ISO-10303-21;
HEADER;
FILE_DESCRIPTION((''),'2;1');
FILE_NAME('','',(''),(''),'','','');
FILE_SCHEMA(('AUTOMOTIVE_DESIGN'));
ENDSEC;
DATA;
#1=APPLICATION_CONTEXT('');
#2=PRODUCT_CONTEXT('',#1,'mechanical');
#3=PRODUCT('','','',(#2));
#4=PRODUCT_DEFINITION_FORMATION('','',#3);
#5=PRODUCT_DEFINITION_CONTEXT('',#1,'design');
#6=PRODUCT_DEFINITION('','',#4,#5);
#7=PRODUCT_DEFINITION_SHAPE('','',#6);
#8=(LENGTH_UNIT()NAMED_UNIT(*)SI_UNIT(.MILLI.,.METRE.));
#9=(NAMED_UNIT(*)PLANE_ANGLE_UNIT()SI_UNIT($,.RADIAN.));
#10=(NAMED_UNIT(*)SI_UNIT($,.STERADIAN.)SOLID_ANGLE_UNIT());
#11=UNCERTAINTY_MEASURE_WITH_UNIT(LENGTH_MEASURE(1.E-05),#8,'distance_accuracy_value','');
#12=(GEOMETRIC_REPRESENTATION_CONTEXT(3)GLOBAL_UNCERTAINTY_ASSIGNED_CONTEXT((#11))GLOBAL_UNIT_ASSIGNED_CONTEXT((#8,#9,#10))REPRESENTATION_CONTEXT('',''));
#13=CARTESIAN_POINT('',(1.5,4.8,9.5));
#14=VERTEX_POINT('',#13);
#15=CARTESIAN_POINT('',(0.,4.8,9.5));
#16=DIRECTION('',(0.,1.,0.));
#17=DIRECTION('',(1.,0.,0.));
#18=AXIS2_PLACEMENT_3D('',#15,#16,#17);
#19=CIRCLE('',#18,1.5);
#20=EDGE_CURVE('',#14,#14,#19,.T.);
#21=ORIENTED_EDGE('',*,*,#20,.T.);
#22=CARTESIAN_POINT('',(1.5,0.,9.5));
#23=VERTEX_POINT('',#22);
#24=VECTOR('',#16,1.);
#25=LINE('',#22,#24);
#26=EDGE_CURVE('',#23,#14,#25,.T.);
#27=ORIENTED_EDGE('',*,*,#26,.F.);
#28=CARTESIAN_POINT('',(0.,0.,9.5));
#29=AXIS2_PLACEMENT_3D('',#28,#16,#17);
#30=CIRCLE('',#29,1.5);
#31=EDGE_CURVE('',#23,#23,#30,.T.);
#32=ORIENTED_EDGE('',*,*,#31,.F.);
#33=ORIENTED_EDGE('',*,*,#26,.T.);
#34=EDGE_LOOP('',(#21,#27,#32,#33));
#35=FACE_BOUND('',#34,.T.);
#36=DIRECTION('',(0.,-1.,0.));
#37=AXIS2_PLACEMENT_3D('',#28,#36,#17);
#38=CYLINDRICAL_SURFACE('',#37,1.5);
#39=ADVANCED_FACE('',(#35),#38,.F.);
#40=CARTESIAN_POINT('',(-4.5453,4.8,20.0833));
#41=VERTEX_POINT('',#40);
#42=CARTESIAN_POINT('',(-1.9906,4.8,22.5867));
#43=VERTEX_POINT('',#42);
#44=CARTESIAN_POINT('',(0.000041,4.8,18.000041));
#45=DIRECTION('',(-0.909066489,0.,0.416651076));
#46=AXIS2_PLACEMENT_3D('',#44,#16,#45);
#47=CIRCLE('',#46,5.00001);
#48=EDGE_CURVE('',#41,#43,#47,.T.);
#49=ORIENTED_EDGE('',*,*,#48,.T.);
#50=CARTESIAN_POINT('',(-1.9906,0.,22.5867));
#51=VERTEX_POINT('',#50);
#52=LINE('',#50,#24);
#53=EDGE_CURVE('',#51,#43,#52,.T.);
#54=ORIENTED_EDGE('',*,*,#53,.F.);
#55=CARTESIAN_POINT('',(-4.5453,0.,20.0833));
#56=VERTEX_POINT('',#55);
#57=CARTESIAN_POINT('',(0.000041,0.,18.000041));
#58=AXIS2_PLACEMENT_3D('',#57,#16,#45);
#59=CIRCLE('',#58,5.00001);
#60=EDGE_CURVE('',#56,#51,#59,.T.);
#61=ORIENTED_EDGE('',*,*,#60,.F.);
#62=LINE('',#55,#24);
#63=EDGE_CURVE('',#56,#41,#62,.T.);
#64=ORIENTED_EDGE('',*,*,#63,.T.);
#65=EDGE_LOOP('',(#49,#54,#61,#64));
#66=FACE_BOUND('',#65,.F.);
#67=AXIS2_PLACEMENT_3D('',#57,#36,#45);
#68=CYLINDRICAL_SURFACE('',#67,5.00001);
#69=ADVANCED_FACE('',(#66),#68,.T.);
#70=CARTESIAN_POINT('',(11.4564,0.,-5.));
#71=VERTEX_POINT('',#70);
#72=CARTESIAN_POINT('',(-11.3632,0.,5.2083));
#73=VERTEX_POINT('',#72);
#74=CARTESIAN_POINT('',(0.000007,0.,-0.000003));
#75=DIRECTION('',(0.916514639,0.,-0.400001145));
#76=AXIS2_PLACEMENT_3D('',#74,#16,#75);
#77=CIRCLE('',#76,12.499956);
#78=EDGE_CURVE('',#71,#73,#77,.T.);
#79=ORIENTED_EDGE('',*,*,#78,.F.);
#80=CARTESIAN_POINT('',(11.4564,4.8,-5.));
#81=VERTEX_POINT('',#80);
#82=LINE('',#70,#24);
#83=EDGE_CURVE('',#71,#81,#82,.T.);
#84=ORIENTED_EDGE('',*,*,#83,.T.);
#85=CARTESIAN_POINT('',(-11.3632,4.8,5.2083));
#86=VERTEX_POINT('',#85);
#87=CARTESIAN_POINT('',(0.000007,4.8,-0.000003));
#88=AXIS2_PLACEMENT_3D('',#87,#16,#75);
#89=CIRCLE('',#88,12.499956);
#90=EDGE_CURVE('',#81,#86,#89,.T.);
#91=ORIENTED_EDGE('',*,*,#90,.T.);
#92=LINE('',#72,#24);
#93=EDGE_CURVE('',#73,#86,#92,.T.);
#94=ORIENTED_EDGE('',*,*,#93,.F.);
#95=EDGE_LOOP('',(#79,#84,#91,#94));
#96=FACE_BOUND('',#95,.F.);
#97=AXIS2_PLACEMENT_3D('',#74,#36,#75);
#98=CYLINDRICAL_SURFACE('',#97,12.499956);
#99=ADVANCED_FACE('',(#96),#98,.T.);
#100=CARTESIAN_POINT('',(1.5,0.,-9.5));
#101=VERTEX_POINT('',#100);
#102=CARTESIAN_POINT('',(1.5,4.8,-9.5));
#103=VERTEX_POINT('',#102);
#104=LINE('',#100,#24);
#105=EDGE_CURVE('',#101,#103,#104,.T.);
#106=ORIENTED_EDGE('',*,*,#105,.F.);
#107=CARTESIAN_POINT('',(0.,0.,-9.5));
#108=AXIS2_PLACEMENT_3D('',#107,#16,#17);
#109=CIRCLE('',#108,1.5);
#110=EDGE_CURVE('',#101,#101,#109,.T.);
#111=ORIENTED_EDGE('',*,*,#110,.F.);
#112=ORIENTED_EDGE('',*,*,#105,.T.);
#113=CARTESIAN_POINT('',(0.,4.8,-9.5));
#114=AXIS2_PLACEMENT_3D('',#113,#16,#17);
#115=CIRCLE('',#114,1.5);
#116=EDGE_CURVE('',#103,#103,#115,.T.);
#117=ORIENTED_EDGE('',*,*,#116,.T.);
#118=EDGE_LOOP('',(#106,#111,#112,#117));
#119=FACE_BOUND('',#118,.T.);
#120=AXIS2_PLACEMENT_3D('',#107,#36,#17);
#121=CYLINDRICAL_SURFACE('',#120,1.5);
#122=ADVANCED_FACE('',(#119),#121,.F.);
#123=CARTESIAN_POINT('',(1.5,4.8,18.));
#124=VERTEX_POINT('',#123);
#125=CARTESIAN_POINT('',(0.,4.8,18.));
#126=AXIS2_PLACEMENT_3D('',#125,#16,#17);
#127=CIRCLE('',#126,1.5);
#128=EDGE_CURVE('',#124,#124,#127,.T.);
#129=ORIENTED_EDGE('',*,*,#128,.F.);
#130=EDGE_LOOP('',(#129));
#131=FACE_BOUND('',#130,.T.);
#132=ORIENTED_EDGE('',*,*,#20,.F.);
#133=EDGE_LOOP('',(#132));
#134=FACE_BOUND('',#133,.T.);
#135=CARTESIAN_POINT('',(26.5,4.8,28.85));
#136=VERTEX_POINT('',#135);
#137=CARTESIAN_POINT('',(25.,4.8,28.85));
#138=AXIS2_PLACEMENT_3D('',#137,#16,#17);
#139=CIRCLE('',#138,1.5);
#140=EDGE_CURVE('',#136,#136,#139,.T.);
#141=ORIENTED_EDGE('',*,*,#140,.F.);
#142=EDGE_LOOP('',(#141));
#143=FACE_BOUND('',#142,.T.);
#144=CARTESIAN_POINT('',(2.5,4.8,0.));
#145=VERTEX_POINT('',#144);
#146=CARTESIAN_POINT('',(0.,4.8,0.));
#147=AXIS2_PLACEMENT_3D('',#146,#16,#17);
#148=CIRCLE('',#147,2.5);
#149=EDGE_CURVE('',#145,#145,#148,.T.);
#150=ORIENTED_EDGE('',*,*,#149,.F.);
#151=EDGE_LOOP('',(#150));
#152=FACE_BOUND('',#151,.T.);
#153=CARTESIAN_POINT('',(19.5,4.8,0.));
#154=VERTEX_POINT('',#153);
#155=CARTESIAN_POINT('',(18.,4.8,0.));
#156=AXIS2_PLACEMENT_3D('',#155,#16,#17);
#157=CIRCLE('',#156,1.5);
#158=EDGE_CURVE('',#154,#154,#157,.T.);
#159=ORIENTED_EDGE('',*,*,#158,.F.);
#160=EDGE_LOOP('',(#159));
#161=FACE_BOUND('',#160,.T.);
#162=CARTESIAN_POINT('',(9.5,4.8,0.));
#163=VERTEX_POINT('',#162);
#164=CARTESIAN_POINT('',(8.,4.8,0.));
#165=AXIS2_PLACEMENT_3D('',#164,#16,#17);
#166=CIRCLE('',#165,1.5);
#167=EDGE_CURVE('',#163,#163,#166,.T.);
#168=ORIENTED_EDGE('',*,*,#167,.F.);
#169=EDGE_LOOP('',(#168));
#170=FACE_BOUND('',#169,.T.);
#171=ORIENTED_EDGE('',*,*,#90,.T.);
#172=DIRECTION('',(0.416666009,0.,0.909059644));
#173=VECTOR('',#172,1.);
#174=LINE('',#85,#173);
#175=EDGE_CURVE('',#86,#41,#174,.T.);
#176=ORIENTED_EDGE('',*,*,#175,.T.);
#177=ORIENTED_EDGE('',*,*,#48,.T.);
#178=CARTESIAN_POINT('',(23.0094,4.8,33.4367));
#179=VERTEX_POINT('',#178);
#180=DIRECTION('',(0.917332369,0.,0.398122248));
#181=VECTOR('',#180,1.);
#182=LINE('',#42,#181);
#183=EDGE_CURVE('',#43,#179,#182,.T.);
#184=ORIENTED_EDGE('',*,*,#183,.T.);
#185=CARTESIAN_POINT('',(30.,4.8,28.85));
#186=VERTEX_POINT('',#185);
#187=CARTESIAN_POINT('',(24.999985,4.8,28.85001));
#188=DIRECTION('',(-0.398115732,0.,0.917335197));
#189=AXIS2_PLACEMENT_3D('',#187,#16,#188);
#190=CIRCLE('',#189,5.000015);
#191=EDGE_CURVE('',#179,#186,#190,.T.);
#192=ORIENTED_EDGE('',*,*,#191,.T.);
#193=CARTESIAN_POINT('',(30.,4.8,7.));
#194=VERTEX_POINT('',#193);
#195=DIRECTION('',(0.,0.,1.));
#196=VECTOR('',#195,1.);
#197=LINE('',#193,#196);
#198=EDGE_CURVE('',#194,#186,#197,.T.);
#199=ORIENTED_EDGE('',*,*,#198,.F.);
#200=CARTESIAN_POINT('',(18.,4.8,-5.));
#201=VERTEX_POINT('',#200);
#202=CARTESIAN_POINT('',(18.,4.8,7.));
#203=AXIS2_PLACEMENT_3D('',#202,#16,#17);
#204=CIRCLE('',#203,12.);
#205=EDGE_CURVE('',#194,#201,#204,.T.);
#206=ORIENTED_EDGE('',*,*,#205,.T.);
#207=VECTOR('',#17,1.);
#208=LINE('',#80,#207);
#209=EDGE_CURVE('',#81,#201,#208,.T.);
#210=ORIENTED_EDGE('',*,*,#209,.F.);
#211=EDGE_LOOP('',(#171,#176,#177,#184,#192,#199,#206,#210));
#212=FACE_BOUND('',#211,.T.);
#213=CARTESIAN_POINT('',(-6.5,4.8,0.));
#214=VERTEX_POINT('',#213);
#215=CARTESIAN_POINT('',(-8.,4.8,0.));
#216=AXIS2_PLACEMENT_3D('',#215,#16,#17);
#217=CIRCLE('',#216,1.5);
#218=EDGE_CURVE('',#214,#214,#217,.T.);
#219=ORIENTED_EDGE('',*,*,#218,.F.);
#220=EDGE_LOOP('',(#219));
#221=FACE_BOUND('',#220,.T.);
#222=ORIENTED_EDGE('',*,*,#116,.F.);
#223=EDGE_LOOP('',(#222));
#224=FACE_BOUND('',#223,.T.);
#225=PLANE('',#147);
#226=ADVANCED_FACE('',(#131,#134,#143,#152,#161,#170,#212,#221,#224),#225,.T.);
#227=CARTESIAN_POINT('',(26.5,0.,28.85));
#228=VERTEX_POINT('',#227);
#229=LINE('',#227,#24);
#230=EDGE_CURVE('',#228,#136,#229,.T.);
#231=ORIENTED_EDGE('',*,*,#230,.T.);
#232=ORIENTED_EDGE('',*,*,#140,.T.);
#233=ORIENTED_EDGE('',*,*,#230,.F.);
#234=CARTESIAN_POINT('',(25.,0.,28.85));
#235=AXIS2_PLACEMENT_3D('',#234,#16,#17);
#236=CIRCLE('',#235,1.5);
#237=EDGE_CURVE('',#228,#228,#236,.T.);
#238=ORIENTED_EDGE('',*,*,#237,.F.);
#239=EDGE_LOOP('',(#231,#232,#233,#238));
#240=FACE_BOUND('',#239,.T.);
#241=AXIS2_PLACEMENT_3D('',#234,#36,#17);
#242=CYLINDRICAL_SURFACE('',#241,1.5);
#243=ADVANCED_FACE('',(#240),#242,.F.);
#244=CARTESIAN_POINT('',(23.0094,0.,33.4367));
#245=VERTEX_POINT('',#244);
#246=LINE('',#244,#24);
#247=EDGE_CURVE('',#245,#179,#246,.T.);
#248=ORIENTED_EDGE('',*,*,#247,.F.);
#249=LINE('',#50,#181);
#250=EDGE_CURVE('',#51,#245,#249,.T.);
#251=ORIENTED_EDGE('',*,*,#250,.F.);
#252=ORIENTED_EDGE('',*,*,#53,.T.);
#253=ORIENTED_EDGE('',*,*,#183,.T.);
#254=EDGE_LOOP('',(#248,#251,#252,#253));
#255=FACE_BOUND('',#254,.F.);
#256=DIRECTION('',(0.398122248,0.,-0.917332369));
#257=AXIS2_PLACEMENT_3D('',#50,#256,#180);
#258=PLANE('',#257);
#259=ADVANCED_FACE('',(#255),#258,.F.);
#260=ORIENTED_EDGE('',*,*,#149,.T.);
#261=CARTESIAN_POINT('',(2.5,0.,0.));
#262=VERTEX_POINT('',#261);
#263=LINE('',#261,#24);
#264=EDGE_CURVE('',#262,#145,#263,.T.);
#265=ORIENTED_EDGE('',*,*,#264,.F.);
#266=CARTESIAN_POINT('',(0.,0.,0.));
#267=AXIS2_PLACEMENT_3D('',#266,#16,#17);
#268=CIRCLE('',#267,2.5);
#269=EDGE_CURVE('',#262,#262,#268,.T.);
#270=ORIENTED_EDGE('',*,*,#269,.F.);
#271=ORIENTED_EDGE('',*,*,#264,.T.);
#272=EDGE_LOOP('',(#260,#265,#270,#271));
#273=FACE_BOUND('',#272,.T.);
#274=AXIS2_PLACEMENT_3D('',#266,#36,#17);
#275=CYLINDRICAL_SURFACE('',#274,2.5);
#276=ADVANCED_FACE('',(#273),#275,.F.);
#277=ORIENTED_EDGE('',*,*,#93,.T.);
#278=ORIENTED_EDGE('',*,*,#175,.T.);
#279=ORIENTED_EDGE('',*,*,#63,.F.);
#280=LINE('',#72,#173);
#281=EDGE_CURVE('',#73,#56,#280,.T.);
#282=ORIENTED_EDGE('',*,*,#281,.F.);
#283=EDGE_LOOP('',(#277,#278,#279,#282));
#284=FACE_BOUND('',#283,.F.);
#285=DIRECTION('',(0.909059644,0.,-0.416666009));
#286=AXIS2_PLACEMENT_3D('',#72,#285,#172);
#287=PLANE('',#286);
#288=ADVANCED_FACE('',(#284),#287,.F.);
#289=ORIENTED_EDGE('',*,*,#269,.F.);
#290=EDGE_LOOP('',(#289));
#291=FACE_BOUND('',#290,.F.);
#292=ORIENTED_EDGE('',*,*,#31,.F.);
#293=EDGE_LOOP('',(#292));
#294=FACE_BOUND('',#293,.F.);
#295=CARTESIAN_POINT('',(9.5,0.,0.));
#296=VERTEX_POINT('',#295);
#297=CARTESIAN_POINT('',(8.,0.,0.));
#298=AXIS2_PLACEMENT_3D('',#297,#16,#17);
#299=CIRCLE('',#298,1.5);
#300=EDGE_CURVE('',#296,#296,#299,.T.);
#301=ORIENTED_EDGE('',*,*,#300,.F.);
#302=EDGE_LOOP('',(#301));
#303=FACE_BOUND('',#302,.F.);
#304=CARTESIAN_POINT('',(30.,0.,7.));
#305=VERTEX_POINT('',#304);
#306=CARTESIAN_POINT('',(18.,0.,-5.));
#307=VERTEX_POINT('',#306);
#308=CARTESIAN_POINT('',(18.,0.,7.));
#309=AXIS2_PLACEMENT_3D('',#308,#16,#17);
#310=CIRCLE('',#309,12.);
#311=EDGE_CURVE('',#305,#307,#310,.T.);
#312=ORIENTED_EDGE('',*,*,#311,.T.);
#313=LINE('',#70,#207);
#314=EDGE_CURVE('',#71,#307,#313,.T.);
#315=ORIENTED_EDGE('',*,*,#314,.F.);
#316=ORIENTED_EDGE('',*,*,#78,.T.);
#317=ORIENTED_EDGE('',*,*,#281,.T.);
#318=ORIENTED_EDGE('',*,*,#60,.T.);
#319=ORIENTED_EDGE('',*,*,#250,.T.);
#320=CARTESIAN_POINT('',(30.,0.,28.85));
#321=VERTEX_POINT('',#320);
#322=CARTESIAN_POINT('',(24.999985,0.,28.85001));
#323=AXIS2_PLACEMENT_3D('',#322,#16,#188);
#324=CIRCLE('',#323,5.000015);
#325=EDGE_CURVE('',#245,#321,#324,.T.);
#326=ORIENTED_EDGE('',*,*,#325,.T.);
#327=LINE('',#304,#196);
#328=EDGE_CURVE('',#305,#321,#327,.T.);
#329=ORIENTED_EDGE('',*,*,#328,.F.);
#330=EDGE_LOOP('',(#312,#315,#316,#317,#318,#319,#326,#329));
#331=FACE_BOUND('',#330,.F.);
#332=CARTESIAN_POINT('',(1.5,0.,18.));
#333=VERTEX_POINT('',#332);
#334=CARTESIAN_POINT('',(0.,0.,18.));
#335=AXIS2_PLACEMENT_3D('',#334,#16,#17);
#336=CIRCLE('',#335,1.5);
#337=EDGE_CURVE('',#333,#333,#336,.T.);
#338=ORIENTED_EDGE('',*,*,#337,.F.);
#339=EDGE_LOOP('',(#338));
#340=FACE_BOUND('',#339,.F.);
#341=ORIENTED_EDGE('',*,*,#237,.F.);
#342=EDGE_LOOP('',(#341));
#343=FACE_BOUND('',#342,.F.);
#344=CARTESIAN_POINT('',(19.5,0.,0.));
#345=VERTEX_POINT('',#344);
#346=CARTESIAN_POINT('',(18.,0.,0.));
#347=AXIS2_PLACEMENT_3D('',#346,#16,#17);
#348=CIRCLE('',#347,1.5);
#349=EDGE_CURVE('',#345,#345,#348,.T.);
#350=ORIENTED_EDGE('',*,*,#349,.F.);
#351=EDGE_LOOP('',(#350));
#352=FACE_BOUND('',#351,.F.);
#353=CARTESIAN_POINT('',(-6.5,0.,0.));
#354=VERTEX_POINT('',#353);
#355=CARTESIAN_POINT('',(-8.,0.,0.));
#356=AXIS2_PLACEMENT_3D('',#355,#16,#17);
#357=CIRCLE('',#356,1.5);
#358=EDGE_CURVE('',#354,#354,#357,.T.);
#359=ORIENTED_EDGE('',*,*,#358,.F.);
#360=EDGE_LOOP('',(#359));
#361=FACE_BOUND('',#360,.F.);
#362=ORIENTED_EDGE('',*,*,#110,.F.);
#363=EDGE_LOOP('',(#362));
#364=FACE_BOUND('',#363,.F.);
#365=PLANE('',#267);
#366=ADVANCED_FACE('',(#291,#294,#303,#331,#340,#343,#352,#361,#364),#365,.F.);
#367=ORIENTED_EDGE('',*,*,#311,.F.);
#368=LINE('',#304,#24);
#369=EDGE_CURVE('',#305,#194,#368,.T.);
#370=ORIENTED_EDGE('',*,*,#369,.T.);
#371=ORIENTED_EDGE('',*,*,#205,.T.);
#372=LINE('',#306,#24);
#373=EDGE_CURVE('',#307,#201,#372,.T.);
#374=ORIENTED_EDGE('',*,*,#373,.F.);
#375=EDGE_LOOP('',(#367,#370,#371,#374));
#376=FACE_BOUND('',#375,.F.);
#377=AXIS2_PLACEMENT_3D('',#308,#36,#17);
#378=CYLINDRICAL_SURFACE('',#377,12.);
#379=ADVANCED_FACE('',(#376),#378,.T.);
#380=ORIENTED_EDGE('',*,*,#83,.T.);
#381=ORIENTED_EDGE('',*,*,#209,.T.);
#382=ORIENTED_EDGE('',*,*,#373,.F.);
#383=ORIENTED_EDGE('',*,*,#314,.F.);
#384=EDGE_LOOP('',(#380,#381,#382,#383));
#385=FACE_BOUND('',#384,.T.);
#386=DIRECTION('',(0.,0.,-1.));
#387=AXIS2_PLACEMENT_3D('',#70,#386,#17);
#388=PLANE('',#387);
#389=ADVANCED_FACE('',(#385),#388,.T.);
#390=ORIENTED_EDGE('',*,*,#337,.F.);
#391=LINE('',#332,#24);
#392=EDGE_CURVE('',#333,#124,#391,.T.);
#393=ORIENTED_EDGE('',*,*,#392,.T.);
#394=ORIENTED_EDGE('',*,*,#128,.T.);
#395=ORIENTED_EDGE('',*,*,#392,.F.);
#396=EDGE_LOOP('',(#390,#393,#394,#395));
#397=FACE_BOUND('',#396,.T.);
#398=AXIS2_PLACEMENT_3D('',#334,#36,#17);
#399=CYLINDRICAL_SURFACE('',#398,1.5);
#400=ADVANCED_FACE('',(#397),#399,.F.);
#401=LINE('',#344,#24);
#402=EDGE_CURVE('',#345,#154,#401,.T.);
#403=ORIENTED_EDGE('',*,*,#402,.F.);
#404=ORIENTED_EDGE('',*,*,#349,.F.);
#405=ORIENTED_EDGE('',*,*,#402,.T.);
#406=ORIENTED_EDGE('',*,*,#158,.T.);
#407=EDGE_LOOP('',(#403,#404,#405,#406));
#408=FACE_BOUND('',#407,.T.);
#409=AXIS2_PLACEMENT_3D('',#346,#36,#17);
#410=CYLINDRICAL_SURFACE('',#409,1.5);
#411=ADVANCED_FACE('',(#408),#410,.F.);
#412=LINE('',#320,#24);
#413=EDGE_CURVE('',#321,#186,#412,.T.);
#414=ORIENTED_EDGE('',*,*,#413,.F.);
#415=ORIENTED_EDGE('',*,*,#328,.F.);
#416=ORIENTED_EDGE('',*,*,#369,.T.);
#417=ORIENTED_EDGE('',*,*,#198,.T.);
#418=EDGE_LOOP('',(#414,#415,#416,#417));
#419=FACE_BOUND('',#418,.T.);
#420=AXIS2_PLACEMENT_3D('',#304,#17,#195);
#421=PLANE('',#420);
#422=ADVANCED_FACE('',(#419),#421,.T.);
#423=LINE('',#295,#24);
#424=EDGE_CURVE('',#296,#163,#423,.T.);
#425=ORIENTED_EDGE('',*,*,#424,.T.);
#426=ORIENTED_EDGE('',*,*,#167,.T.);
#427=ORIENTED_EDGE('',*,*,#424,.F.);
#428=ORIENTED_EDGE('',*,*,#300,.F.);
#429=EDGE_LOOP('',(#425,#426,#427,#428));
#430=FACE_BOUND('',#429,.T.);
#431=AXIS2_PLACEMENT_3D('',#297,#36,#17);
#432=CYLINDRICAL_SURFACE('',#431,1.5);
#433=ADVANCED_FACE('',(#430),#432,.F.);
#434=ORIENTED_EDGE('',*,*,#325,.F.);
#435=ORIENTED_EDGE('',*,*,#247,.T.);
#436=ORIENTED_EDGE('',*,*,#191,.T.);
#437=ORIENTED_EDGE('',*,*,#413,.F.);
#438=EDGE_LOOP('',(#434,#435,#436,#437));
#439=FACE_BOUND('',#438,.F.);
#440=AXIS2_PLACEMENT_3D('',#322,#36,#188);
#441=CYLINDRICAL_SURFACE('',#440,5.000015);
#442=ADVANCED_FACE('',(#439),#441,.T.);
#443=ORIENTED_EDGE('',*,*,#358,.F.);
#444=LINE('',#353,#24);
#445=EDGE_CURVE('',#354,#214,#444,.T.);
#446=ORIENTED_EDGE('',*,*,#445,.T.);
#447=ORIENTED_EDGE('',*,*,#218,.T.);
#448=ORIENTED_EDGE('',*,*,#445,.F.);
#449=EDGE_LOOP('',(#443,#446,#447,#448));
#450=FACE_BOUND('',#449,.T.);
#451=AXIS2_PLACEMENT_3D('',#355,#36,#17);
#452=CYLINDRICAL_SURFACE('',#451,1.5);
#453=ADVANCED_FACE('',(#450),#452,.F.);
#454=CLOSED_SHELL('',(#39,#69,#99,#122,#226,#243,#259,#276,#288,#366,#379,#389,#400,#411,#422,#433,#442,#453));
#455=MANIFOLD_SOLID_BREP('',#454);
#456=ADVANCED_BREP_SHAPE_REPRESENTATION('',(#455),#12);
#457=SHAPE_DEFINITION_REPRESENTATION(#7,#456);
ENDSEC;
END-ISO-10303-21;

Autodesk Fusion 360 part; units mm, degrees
sketch "Sketch1" plane through (0, 0, 0) normal (0, 1, 0) x (1, 0, 0)
  circle A0 centre (0, 0) radius 8 construction
  circle A1 centre (0, 0) radius 9.5 construction
  circle A2 centre (0, 0) radius 14 construction
  circle A3 centre (0, 0) radius 18 construction
  line L0 (0, 0) -> (0, -18) construction
  line L1 (0, 0) -> (0, 52) construction
  line L2 (0, 0) -> (18, 0) construction
  line L3 (0, 0) -> (-18, 0) construction
  circle A4 centre (0, 0) radius 48 construction
  circle A5 centre (0, 0) radius 58 construction
  line L4 (0, 47) -> (-33.9853, 47) construction
  circle A6 centre (0, -9.5) radius 1.5
  circle A7 centre (-8, 0) radius 1.5
  circle A8 centre (8, 0) radius 1.5
  circle A9 centre (0, 9.5) radius 1.5
  circle A10 centre (18, 0) radius 1.5
  circle A11 centre (0, -18) radius 1.5
  line L5 (-50.3158, -28.85) -> (25, -28.85) construction
  circle A12 centre (25, -28.85) radius 1.5
  line L6 (-11.3632, -5.2083) -> (-4.1251, -21)
  line L7 (11.4564, 5) -> (18, 5)
  line L8 (30, -7) -> (30, -28.85)
  arc A13 (12.5, 0) -> (11.4564, 5) centre (0, 0) ccw construction
  arc A14 (11.4564, 5) -> (-11.3632, -5.2083) centre (0, 0) ccw
  arc A15 (0, -12.5) -> (12.5, 0) centre (0, 0) ccw construction
  arc A16 (-11.3632, -5.2083) -> (0, -12.5) centre (0, 0) ccw construction
  circle A17 centre (0, 0) radius 2.5
  arc A18 (30, -28.85) -> (23.0094, -33.4367) centre (25, -28.85) ccw construction
  arc A19 (23.0094, -33.4367) -> (30, -28.85) centre (25, -28.85) ccw
  line L9 (-1.9906, -22.5867) -> (23.0094, -33.4367)
  arc A20 (-1.9906, -22.5867) -> (-4.5453, -20.0833) centre (0, -18) ccw construction
  arc A21 (-4.5453, -20.0833) -> (-1.9906, -22.5867) centre (0, -18) ccw
  arc A22 (18, 5) -> (30, -7) centre (18, -7) ccw construction
  arc A23 (30, -7) -> (18, 5) centre (18, -7) ccw
  point P0 (0, 14)
  point P1 (0, 47)
  point P2 (-47.869, 32.75)
  point P3 (-42.1187, 39.875)
  point P4 (-50.8212, 27.95)
  point P5 (-55.4373, -17.05)
  point P6 (-53.7269, -21.85)
  point P7 (-50.3158, -28.85)
  point P8 (0, 9.5)
  point P9 (8, 0)
  point P10 (0, 12.5)
  dimension "d19" = 16
  dimension "d20" = 19
  dimension "d21" = 28
  dimension "d22" = 36
  dimension "d23" = 38
  dimension "d24" = 96
  dimension "d25" = 116
  dimension "d26" = 5
  dimension "d27" = 19.25
  dimension "d28" = 4.8
  dimension "d29" = 7.125
  dimension "d30" = 45
  dimension "d31" = 4.8
  dimension "d32" = 7
  dimension "d33" = 3
  dimension "d34" = 3
  dimension "d35" = 3
  dimension "d36" = 3
  dimension "d37" = 3
  dimension "d38" = 3
  dimension "d39" = 25
  dimension "d40" = 3
  dimension "d41" = 3
  dimension "d44" = 5
  dimension "d45" = 5
  dimension "d48" = 5
  dimension "d49" = 3
  dimension "d50" = 5
  dimension "d51" = 12
extrude "Extrude1" add sketch "Sketch1" along normal blind 4.8
